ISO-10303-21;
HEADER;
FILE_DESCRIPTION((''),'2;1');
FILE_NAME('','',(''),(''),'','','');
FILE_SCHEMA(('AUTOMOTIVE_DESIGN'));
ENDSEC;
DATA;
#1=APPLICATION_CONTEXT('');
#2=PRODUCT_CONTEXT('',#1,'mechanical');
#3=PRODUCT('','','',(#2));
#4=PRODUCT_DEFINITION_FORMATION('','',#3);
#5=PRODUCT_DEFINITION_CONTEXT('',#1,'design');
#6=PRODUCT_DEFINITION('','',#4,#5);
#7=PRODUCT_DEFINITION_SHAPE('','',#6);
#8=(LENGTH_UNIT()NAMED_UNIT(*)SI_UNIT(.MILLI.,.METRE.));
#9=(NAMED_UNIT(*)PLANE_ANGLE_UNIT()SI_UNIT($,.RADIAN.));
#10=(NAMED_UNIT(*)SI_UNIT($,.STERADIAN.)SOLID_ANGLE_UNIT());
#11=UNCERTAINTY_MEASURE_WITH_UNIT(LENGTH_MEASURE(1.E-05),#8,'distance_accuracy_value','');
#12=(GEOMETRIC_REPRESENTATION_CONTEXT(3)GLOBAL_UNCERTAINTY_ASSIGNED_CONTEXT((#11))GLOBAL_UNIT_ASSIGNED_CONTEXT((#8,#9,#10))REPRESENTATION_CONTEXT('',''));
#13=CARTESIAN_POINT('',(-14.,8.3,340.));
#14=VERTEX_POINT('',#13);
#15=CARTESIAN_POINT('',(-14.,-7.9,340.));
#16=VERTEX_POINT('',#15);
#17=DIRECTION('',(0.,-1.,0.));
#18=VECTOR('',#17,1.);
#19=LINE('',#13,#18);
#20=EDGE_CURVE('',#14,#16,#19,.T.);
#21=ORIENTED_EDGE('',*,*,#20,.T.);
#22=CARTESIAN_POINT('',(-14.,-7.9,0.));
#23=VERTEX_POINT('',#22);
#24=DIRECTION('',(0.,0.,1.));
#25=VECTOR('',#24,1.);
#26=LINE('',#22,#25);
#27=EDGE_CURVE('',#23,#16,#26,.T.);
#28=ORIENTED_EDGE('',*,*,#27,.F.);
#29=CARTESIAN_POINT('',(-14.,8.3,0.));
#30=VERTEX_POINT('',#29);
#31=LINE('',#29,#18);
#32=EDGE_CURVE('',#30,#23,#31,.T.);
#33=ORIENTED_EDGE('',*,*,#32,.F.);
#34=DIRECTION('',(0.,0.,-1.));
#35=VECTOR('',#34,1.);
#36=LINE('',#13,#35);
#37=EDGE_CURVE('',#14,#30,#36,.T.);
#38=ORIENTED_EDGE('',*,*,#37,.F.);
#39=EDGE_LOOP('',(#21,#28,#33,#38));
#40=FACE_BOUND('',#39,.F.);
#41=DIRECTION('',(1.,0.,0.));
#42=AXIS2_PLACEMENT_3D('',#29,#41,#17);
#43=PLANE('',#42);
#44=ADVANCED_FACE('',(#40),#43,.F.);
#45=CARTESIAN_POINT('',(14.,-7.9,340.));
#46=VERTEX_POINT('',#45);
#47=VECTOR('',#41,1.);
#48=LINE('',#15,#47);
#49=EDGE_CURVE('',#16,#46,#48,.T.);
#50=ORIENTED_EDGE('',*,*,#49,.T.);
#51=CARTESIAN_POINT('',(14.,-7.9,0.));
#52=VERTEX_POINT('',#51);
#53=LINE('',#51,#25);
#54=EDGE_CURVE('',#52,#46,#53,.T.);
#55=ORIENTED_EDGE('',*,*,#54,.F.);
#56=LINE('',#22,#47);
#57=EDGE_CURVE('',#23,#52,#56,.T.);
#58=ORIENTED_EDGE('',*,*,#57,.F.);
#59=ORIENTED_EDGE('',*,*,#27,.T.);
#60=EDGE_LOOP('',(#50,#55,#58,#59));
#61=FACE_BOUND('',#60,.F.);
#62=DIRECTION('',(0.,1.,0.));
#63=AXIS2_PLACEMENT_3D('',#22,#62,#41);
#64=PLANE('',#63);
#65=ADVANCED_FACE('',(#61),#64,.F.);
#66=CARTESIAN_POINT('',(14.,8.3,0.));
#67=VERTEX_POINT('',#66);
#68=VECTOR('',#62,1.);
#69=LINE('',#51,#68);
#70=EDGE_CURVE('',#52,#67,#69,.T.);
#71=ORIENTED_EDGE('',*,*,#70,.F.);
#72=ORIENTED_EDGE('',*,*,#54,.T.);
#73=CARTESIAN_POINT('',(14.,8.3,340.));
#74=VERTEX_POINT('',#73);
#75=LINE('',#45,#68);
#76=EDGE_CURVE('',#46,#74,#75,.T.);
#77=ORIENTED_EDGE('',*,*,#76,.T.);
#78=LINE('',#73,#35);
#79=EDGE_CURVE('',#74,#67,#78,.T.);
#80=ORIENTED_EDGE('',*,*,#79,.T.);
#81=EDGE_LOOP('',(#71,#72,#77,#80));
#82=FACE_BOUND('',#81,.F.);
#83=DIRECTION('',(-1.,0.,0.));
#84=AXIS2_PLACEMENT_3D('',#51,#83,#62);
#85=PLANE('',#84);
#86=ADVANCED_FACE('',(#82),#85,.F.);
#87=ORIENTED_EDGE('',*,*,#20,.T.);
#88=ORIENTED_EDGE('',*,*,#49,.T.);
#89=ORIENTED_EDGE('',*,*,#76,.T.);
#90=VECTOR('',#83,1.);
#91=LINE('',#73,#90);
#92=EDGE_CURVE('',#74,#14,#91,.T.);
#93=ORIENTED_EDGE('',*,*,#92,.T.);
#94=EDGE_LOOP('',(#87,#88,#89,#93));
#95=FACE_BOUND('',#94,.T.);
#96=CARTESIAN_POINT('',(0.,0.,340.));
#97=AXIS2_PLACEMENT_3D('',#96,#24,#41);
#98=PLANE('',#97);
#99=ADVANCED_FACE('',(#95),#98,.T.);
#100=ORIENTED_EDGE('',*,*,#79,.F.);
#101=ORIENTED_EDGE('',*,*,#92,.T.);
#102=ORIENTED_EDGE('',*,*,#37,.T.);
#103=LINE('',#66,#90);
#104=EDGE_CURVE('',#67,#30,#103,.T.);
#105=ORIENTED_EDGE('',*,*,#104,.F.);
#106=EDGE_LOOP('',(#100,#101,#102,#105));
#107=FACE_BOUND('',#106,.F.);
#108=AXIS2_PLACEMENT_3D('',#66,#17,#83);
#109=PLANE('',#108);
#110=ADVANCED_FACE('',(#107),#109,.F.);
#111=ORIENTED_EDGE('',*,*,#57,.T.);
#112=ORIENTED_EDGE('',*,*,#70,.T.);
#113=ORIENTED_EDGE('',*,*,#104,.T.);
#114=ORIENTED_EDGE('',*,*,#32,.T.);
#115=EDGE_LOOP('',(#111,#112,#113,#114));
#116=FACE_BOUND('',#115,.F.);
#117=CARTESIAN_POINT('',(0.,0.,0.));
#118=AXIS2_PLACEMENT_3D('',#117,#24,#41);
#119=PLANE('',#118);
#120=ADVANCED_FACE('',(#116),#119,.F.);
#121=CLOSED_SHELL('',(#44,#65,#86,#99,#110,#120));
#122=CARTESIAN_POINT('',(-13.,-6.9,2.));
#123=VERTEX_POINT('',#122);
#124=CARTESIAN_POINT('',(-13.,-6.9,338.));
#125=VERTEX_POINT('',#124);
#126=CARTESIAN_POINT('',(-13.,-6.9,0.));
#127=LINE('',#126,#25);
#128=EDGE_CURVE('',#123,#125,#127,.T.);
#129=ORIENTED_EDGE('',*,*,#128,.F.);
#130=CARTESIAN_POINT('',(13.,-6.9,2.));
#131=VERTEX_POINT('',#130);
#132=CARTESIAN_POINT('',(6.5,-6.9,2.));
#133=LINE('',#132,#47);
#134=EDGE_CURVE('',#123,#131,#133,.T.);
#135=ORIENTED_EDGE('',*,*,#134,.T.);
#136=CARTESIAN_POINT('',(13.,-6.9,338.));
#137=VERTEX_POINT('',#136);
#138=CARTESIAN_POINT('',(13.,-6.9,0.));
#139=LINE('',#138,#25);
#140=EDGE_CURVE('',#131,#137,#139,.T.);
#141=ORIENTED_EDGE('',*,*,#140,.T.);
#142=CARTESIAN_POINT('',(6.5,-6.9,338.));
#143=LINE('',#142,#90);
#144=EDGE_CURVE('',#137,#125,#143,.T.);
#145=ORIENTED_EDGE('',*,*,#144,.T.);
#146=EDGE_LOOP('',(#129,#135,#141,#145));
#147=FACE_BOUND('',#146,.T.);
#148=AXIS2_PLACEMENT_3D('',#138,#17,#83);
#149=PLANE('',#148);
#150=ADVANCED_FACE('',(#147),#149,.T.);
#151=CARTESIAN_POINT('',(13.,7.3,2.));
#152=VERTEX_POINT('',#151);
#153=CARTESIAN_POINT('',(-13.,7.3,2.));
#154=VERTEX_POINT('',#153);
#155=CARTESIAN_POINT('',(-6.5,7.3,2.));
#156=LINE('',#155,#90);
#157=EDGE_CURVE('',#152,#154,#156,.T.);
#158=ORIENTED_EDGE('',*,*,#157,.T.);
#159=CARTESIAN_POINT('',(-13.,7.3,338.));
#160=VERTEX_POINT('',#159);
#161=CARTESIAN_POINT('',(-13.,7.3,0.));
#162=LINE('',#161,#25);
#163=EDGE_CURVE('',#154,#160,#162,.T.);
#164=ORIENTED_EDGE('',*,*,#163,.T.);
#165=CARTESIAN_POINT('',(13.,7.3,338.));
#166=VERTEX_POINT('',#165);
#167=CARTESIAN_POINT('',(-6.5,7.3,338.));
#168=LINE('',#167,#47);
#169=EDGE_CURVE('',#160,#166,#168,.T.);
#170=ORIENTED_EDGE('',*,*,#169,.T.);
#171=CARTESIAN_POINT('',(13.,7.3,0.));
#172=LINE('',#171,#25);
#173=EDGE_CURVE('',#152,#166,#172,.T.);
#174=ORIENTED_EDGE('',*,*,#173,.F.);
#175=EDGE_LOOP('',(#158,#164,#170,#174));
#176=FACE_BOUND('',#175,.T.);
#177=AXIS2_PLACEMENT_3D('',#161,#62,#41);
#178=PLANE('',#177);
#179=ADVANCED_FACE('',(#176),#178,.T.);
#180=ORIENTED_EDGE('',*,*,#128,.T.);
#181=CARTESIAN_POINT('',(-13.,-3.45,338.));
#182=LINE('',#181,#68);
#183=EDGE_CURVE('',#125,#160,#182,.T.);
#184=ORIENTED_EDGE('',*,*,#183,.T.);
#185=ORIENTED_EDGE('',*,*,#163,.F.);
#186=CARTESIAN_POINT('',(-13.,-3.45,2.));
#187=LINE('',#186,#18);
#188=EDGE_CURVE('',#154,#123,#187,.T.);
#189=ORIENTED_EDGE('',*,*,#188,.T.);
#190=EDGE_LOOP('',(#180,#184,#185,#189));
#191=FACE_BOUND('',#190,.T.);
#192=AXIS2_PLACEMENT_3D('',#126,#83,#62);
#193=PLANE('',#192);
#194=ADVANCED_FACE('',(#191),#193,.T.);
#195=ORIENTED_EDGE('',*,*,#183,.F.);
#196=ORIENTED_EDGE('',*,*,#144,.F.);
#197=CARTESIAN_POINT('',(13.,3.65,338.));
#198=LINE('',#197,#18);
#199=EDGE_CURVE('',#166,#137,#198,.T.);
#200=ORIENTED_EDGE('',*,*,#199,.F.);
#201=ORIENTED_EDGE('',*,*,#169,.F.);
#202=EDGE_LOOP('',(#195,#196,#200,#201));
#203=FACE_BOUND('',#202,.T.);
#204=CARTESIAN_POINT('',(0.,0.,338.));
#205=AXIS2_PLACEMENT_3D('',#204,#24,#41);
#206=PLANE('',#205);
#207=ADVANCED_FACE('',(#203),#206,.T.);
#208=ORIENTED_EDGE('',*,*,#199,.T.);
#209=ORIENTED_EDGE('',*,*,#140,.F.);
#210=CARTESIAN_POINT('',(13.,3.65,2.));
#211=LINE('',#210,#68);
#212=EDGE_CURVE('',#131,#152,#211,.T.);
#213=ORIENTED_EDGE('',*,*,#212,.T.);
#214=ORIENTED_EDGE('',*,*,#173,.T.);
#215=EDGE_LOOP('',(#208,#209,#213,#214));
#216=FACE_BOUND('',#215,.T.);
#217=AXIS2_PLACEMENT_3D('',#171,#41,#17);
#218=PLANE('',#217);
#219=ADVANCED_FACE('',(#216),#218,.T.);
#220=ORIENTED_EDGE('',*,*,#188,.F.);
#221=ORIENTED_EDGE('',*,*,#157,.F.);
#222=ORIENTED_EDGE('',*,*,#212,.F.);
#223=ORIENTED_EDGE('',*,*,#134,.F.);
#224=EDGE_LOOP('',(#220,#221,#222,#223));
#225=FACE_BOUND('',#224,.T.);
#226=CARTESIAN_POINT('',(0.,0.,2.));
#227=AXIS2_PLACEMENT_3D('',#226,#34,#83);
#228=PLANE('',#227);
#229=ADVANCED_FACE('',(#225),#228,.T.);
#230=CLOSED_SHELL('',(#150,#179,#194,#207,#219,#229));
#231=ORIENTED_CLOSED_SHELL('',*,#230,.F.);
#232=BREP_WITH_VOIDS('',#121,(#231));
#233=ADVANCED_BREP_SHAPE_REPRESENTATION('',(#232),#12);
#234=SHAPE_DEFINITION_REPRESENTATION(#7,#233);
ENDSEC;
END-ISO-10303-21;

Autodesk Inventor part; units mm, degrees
ref_plane "YZ Plane" through (0, 0, 0) normal (1, 0, 0) x (0, 1, 0)
ref_plane "XZ Plane" through (0, 0, 0) normal (0, 1, 0) x (-1, 0, 0)
ref_plane "XY Plane" through (0, 0, 0) normal (0, 0, 1) x (1, 0, 0)
sketch "Sketch1" plane through (0, 0, 0) normal (0, 0, 1) x (1, 0, 0)
  line L0 (-14, -7.9) -> (14, -7.9)
  line L1 (14, -7.9) -> (14, 8.3)
  line L2 (14, 8.3) -> (-14, 8.3)
  line L3 (-14, 8.3) -> (-14, -7.9)
  line L4 (-13, 7.3) -> (13, 7.3)
  line L5 (13, 7.3) -> (13, -6.9)
  line L6 (13, -6.9) -> (-13, -6.9)
  line L7 (-13, -6.9) -> (-13, 7.3)
  dimension "d2" = 1
extrude "Extrusion1" add sketch "Sketch1" along normal blind 340
sketch "Sketch2" plane through (0, 0, 340) normal (0, 0, 1) x (1, 0, 0)
  line L0 (14, 8.3) -> (-14, 8.3) construction
  line L1 (14, -7.9) -> (14, 8.3) construction
  line L2 (-14, 8.3) -> (14, 8.3)
  line L3 (14, 8.3) -> (14, -7.9)
  line L4 (14, -7.9) -> (-14, -7.9)
  line L5 (-14, -7.9) -> (-14, 8.3)
  point P0 (0, 0)
extrude "Extrusion2" add sketch "Sketch2" against normal blind 2
sketch "Sketch3" plane through (0, 0, 0) normal (0, 0, -1) x (-1, 0, 0)
  line L0 (14, -7.9) -> (-14, -7.9) construction
  line L1 (14, -7.9) -> (-14, -7.9)
  line L2 (-14, -7.9) -> (-14, 8.3)
  line L3 (-14, 8.3) -> (14, 8.3)
  line L4 (14, 8.3) -> (14, -7.9)
  point P0 (0, 0)
extrude "Extrusion3" add sketch "Sketch3" against normal blind 2
properties part number "PL_rod_duoble"
